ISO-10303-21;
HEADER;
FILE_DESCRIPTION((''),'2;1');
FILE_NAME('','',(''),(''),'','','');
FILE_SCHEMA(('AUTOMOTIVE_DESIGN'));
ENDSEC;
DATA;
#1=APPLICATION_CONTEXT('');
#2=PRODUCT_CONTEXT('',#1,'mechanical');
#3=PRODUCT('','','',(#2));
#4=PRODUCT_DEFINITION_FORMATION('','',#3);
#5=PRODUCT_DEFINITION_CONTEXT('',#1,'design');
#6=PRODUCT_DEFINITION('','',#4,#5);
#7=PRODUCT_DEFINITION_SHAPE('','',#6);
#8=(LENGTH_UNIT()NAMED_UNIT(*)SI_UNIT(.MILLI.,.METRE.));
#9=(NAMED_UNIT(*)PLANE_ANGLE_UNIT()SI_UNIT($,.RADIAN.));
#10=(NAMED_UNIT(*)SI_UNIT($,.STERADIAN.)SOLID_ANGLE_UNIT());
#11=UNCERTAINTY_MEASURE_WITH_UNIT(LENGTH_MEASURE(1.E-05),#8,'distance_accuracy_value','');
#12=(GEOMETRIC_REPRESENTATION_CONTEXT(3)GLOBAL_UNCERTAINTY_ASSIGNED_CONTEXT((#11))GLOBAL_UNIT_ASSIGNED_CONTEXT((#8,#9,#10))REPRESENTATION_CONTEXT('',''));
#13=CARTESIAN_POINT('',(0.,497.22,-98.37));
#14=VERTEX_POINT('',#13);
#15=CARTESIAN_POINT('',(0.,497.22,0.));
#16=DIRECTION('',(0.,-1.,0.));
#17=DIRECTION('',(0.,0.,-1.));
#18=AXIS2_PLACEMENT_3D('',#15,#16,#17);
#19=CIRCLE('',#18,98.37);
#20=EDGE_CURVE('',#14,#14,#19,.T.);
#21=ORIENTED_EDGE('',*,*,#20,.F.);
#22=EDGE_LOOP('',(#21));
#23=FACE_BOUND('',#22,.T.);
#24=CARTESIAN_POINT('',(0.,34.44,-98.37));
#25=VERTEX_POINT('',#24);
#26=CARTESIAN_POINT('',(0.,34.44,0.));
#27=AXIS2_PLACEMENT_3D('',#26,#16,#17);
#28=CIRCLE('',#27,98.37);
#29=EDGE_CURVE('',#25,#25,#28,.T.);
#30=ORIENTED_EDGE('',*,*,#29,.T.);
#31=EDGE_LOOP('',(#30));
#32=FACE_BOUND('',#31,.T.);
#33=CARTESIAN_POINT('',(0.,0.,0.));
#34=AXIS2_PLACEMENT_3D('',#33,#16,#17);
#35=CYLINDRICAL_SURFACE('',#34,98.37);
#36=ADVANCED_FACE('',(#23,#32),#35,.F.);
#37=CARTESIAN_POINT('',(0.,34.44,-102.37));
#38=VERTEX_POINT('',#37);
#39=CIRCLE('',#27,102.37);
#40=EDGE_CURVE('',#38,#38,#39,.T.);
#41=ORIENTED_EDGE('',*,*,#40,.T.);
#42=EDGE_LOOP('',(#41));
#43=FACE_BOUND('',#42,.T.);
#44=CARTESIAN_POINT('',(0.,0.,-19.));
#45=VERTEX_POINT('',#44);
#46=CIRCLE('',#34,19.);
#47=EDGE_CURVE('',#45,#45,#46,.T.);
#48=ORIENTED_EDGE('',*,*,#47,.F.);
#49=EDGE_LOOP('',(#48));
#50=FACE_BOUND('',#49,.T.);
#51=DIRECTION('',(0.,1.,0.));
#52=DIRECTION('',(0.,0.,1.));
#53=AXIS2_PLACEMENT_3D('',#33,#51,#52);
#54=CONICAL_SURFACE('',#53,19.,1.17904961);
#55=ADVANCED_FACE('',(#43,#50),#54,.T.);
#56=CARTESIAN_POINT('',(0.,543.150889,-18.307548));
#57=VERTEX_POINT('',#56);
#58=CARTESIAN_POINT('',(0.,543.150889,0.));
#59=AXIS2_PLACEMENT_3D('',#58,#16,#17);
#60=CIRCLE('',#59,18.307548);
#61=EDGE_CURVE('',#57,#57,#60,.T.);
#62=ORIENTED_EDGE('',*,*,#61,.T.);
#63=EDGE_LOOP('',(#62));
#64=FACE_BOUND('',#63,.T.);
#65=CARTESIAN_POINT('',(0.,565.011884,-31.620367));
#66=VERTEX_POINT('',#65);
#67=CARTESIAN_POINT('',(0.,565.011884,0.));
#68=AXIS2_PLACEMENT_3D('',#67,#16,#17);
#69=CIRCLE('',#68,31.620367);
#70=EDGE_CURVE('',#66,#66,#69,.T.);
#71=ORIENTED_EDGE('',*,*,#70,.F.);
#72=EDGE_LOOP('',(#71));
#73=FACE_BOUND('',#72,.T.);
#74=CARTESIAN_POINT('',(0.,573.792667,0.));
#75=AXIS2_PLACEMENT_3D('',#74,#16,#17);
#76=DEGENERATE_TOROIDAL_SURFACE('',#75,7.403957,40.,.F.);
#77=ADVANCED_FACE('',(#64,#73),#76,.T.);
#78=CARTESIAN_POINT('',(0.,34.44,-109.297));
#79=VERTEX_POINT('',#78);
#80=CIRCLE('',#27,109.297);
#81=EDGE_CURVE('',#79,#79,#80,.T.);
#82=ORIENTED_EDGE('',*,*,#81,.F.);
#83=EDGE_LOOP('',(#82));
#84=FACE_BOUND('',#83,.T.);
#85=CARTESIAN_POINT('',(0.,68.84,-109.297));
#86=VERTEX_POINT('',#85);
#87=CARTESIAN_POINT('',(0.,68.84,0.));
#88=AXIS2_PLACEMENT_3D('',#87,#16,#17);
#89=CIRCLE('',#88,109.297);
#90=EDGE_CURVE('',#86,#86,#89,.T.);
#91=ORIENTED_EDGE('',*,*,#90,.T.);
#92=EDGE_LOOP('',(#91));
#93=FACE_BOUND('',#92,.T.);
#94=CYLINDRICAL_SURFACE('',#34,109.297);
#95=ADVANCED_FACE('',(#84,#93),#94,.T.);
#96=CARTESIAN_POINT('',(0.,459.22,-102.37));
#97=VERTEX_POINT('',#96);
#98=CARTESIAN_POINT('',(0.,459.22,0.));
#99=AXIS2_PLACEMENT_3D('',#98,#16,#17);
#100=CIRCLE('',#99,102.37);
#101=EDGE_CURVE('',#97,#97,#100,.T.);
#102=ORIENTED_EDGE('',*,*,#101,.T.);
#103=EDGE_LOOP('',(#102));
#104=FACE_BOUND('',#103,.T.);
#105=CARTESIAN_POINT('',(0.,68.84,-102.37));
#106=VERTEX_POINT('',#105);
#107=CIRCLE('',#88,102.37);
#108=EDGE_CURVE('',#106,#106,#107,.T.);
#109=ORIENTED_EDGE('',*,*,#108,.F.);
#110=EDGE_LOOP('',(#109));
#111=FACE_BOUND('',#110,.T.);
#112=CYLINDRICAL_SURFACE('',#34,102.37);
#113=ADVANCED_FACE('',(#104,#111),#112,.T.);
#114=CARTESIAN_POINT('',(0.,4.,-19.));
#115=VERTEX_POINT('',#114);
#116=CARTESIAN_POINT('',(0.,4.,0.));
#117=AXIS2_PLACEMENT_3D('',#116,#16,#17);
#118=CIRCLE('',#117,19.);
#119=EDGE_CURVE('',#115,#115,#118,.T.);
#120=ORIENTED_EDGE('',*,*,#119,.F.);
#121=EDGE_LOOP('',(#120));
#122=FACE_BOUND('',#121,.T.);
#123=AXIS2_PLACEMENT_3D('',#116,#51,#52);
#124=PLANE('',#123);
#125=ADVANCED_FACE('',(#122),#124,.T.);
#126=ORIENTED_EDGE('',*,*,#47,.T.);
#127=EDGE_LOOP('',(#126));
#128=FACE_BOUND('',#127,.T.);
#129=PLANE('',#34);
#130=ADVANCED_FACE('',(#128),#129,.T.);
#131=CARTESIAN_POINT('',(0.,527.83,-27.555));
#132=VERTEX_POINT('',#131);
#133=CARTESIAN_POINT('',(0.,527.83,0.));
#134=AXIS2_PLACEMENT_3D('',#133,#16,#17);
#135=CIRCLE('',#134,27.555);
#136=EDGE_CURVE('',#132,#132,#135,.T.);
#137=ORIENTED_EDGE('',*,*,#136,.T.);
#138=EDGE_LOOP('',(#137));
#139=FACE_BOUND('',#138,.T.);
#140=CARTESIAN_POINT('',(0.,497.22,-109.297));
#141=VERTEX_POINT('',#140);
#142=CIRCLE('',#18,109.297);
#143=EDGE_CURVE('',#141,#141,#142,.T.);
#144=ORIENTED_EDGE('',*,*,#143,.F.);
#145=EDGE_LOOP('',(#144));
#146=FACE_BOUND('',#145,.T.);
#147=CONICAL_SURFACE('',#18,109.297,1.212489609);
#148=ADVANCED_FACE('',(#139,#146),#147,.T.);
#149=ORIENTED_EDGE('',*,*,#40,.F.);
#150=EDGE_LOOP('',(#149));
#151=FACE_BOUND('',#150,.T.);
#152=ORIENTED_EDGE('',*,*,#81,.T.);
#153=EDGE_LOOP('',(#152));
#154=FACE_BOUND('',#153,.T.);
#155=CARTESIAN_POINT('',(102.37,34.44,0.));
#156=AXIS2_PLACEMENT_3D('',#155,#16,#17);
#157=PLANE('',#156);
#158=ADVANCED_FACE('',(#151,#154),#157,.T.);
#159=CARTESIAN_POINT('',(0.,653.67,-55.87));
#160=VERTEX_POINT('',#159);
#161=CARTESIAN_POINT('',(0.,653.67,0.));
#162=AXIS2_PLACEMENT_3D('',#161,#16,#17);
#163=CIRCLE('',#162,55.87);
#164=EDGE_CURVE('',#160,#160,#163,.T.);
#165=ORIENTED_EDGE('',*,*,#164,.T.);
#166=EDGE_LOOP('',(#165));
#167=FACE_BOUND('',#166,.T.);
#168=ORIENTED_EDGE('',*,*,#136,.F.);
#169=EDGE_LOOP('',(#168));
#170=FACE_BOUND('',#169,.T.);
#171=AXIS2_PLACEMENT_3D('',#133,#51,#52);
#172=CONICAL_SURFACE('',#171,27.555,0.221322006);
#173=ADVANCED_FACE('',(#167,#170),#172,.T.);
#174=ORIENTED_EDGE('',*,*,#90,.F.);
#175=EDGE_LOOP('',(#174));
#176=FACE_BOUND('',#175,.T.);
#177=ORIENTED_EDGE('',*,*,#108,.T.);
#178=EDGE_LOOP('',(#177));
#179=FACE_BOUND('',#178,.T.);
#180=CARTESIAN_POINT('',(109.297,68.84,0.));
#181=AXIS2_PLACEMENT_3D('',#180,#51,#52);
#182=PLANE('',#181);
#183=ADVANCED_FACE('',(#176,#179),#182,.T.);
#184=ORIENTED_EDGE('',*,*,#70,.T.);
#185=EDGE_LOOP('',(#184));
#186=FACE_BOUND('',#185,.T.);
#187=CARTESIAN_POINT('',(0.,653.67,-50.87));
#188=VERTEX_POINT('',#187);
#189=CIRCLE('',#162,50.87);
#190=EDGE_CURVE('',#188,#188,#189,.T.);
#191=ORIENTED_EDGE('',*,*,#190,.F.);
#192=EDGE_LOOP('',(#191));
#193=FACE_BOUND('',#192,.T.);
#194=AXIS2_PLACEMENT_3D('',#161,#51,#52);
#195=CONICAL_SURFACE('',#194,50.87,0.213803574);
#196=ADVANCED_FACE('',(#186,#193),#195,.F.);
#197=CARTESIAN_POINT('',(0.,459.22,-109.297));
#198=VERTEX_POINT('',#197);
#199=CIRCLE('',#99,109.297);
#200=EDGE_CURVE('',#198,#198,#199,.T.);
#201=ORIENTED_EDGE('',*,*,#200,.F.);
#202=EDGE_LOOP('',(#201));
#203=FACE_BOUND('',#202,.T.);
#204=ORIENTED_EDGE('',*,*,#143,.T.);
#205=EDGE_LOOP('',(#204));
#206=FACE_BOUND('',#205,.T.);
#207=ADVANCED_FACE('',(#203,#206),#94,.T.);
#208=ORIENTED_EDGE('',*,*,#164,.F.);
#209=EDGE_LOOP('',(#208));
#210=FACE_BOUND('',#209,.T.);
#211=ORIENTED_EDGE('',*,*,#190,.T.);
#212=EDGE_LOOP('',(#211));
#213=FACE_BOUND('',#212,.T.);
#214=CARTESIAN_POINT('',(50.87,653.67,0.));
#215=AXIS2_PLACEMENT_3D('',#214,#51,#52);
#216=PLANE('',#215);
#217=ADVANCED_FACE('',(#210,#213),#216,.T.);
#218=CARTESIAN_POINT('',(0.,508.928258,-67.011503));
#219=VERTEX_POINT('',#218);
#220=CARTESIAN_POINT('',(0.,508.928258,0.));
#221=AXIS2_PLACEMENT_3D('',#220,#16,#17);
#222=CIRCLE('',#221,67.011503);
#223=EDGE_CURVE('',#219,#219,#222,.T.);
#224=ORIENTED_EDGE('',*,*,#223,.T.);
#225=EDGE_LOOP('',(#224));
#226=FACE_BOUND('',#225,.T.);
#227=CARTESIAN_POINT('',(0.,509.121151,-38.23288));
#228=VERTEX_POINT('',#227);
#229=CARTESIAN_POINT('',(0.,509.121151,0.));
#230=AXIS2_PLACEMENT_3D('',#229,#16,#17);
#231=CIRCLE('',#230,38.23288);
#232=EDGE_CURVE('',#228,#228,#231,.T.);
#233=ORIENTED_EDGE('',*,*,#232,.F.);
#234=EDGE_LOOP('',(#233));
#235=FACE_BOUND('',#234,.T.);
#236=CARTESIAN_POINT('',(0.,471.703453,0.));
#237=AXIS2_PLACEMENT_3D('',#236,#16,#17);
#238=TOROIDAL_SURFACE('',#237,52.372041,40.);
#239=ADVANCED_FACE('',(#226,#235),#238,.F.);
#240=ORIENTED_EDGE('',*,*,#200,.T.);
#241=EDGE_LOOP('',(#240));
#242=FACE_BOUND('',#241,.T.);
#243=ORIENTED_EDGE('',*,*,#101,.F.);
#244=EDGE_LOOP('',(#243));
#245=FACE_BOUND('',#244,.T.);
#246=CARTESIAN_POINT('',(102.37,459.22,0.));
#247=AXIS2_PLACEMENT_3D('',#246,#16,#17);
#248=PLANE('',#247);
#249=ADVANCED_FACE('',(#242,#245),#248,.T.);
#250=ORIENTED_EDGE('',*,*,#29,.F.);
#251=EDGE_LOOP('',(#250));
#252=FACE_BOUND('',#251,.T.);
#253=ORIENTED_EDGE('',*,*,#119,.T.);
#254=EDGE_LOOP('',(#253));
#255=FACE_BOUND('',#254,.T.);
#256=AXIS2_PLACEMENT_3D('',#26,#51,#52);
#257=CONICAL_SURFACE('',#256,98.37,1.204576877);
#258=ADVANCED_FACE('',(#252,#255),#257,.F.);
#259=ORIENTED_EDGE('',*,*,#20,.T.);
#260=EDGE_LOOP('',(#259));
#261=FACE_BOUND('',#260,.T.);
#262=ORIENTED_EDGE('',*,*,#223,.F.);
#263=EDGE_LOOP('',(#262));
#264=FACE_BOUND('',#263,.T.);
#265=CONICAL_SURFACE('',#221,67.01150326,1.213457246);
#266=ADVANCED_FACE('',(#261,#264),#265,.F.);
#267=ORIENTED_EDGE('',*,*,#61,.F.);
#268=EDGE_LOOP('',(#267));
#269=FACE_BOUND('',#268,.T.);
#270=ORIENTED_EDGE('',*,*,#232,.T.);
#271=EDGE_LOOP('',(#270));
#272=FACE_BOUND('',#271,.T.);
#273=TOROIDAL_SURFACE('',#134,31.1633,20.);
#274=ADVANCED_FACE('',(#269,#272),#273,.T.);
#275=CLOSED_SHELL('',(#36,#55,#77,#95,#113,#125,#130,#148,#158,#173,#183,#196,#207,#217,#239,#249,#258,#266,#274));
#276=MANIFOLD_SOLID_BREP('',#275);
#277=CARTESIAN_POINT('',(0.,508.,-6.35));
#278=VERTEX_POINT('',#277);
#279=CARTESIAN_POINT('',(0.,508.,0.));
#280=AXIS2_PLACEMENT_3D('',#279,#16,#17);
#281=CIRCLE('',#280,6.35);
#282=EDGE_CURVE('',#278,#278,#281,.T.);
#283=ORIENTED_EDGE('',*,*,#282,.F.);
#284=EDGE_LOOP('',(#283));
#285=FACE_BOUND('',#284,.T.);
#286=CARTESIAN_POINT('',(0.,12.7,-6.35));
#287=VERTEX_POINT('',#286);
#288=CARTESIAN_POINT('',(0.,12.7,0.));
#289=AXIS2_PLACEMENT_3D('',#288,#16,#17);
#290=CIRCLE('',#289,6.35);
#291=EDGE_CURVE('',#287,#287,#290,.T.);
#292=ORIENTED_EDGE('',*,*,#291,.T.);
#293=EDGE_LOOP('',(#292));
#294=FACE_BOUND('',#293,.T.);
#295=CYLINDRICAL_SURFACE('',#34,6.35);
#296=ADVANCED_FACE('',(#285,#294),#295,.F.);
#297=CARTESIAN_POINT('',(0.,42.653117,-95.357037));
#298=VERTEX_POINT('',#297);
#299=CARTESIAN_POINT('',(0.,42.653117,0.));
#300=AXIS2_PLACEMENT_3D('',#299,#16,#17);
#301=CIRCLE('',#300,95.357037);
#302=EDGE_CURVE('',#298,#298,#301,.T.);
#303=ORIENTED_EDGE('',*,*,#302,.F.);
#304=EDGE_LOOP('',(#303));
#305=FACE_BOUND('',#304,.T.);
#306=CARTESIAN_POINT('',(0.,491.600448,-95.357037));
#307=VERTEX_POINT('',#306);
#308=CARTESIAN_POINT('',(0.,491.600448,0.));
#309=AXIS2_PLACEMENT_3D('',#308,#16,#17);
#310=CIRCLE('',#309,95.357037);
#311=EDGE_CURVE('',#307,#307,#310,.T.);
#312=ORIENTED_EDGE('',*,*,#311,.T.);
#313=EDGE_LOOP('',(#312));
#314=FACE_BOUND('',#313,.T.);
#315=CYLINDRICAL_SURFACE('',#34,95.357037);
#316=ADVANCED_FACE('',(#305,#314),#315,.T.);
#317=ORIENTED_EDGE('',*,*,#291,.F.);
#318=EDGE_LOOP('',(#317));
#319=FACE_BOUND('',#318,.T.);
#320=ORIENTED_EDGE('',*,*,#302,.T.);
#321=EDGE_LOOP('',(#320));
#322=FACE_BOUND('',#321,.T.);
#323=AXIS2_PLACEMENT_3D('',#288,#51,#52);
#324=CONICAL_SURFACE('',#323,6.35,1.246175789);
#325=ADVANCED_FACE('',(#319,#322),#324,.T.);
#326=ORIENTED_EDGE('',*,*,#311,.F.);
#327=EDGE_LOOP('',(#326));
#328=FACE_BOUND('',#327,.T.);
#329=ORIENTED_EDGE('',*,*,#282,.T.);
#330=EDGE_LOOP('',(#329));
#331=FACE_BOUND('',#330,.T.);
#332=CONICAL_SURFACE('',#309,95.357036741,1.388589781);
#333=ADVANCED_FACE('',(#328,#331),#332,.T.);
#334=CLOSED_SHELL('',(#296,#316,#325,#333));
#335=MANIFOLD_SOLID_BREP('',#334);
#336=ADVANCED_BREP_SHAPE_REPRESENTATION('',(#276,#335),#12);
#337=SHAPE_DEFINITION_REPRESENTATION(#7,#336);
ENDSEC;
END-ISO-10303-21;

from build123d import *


with BuildPart() as part:
    # Sketch1 → Revolve1 (revolve)
    with BuildSketch(Plane.XY):
        with BuildLine():
            Line((0, 0), (19, 0))
            Line((19, 0), (102.37, 34.44))
            Line((102.37, 34.44), (109.297, 34.44))
            Line((109.297, 34.44), (109.297, 68.84))
            Line((109.297, 68.84), (102.37, 68.84))
            Line((102.37, 68.84), (102.37, 459.22))
            Line((102.37, 459.22), (109.297, 459.22))
            Line((109.297, 459.22), (109.297, 497.22))
            Line((109.297, 497.22), (27.555, 527.83))
            Line((27.555, 527.83), (55.87, 653.67))
            Line((55.87, 653.67), (50.87, 653.67))
            Line((50.87, 653.67), (31.620367249, 565.011883615))
            ThreePointArc((31.620367249, 565.011883615), (26.759732281, 552.987802652), (18.307547806, 543.150888862))
            ThreePointArc((18.307547806, 543.150888862), (13.904223764, 517.724343789), (38.232880309, 509.121150911))
            ThreePointArc((38.232880309, 509.121150911), (52.640140443, 511.702554255), (67.01150326, 508.928258207))
            Line((67.01150326, 508.928258207), (98.37, 497.22))
            Line((98.37, 497.22), (98.37, 34.44))
            Line((98.37, 34.44), (19, 4))
            Line((19, 4), (0, 4))
            Line((0, 4), (0, 0))
        make_face()
        Polygon((6.35, 12.7), (95.357036741, 42.653116777), (95.357036741, 491.600448224), (6.35, 508), align=None)
    revolve(axis=Axis((0, 0, 0), (0, 1, 0)))


solid = part.part
